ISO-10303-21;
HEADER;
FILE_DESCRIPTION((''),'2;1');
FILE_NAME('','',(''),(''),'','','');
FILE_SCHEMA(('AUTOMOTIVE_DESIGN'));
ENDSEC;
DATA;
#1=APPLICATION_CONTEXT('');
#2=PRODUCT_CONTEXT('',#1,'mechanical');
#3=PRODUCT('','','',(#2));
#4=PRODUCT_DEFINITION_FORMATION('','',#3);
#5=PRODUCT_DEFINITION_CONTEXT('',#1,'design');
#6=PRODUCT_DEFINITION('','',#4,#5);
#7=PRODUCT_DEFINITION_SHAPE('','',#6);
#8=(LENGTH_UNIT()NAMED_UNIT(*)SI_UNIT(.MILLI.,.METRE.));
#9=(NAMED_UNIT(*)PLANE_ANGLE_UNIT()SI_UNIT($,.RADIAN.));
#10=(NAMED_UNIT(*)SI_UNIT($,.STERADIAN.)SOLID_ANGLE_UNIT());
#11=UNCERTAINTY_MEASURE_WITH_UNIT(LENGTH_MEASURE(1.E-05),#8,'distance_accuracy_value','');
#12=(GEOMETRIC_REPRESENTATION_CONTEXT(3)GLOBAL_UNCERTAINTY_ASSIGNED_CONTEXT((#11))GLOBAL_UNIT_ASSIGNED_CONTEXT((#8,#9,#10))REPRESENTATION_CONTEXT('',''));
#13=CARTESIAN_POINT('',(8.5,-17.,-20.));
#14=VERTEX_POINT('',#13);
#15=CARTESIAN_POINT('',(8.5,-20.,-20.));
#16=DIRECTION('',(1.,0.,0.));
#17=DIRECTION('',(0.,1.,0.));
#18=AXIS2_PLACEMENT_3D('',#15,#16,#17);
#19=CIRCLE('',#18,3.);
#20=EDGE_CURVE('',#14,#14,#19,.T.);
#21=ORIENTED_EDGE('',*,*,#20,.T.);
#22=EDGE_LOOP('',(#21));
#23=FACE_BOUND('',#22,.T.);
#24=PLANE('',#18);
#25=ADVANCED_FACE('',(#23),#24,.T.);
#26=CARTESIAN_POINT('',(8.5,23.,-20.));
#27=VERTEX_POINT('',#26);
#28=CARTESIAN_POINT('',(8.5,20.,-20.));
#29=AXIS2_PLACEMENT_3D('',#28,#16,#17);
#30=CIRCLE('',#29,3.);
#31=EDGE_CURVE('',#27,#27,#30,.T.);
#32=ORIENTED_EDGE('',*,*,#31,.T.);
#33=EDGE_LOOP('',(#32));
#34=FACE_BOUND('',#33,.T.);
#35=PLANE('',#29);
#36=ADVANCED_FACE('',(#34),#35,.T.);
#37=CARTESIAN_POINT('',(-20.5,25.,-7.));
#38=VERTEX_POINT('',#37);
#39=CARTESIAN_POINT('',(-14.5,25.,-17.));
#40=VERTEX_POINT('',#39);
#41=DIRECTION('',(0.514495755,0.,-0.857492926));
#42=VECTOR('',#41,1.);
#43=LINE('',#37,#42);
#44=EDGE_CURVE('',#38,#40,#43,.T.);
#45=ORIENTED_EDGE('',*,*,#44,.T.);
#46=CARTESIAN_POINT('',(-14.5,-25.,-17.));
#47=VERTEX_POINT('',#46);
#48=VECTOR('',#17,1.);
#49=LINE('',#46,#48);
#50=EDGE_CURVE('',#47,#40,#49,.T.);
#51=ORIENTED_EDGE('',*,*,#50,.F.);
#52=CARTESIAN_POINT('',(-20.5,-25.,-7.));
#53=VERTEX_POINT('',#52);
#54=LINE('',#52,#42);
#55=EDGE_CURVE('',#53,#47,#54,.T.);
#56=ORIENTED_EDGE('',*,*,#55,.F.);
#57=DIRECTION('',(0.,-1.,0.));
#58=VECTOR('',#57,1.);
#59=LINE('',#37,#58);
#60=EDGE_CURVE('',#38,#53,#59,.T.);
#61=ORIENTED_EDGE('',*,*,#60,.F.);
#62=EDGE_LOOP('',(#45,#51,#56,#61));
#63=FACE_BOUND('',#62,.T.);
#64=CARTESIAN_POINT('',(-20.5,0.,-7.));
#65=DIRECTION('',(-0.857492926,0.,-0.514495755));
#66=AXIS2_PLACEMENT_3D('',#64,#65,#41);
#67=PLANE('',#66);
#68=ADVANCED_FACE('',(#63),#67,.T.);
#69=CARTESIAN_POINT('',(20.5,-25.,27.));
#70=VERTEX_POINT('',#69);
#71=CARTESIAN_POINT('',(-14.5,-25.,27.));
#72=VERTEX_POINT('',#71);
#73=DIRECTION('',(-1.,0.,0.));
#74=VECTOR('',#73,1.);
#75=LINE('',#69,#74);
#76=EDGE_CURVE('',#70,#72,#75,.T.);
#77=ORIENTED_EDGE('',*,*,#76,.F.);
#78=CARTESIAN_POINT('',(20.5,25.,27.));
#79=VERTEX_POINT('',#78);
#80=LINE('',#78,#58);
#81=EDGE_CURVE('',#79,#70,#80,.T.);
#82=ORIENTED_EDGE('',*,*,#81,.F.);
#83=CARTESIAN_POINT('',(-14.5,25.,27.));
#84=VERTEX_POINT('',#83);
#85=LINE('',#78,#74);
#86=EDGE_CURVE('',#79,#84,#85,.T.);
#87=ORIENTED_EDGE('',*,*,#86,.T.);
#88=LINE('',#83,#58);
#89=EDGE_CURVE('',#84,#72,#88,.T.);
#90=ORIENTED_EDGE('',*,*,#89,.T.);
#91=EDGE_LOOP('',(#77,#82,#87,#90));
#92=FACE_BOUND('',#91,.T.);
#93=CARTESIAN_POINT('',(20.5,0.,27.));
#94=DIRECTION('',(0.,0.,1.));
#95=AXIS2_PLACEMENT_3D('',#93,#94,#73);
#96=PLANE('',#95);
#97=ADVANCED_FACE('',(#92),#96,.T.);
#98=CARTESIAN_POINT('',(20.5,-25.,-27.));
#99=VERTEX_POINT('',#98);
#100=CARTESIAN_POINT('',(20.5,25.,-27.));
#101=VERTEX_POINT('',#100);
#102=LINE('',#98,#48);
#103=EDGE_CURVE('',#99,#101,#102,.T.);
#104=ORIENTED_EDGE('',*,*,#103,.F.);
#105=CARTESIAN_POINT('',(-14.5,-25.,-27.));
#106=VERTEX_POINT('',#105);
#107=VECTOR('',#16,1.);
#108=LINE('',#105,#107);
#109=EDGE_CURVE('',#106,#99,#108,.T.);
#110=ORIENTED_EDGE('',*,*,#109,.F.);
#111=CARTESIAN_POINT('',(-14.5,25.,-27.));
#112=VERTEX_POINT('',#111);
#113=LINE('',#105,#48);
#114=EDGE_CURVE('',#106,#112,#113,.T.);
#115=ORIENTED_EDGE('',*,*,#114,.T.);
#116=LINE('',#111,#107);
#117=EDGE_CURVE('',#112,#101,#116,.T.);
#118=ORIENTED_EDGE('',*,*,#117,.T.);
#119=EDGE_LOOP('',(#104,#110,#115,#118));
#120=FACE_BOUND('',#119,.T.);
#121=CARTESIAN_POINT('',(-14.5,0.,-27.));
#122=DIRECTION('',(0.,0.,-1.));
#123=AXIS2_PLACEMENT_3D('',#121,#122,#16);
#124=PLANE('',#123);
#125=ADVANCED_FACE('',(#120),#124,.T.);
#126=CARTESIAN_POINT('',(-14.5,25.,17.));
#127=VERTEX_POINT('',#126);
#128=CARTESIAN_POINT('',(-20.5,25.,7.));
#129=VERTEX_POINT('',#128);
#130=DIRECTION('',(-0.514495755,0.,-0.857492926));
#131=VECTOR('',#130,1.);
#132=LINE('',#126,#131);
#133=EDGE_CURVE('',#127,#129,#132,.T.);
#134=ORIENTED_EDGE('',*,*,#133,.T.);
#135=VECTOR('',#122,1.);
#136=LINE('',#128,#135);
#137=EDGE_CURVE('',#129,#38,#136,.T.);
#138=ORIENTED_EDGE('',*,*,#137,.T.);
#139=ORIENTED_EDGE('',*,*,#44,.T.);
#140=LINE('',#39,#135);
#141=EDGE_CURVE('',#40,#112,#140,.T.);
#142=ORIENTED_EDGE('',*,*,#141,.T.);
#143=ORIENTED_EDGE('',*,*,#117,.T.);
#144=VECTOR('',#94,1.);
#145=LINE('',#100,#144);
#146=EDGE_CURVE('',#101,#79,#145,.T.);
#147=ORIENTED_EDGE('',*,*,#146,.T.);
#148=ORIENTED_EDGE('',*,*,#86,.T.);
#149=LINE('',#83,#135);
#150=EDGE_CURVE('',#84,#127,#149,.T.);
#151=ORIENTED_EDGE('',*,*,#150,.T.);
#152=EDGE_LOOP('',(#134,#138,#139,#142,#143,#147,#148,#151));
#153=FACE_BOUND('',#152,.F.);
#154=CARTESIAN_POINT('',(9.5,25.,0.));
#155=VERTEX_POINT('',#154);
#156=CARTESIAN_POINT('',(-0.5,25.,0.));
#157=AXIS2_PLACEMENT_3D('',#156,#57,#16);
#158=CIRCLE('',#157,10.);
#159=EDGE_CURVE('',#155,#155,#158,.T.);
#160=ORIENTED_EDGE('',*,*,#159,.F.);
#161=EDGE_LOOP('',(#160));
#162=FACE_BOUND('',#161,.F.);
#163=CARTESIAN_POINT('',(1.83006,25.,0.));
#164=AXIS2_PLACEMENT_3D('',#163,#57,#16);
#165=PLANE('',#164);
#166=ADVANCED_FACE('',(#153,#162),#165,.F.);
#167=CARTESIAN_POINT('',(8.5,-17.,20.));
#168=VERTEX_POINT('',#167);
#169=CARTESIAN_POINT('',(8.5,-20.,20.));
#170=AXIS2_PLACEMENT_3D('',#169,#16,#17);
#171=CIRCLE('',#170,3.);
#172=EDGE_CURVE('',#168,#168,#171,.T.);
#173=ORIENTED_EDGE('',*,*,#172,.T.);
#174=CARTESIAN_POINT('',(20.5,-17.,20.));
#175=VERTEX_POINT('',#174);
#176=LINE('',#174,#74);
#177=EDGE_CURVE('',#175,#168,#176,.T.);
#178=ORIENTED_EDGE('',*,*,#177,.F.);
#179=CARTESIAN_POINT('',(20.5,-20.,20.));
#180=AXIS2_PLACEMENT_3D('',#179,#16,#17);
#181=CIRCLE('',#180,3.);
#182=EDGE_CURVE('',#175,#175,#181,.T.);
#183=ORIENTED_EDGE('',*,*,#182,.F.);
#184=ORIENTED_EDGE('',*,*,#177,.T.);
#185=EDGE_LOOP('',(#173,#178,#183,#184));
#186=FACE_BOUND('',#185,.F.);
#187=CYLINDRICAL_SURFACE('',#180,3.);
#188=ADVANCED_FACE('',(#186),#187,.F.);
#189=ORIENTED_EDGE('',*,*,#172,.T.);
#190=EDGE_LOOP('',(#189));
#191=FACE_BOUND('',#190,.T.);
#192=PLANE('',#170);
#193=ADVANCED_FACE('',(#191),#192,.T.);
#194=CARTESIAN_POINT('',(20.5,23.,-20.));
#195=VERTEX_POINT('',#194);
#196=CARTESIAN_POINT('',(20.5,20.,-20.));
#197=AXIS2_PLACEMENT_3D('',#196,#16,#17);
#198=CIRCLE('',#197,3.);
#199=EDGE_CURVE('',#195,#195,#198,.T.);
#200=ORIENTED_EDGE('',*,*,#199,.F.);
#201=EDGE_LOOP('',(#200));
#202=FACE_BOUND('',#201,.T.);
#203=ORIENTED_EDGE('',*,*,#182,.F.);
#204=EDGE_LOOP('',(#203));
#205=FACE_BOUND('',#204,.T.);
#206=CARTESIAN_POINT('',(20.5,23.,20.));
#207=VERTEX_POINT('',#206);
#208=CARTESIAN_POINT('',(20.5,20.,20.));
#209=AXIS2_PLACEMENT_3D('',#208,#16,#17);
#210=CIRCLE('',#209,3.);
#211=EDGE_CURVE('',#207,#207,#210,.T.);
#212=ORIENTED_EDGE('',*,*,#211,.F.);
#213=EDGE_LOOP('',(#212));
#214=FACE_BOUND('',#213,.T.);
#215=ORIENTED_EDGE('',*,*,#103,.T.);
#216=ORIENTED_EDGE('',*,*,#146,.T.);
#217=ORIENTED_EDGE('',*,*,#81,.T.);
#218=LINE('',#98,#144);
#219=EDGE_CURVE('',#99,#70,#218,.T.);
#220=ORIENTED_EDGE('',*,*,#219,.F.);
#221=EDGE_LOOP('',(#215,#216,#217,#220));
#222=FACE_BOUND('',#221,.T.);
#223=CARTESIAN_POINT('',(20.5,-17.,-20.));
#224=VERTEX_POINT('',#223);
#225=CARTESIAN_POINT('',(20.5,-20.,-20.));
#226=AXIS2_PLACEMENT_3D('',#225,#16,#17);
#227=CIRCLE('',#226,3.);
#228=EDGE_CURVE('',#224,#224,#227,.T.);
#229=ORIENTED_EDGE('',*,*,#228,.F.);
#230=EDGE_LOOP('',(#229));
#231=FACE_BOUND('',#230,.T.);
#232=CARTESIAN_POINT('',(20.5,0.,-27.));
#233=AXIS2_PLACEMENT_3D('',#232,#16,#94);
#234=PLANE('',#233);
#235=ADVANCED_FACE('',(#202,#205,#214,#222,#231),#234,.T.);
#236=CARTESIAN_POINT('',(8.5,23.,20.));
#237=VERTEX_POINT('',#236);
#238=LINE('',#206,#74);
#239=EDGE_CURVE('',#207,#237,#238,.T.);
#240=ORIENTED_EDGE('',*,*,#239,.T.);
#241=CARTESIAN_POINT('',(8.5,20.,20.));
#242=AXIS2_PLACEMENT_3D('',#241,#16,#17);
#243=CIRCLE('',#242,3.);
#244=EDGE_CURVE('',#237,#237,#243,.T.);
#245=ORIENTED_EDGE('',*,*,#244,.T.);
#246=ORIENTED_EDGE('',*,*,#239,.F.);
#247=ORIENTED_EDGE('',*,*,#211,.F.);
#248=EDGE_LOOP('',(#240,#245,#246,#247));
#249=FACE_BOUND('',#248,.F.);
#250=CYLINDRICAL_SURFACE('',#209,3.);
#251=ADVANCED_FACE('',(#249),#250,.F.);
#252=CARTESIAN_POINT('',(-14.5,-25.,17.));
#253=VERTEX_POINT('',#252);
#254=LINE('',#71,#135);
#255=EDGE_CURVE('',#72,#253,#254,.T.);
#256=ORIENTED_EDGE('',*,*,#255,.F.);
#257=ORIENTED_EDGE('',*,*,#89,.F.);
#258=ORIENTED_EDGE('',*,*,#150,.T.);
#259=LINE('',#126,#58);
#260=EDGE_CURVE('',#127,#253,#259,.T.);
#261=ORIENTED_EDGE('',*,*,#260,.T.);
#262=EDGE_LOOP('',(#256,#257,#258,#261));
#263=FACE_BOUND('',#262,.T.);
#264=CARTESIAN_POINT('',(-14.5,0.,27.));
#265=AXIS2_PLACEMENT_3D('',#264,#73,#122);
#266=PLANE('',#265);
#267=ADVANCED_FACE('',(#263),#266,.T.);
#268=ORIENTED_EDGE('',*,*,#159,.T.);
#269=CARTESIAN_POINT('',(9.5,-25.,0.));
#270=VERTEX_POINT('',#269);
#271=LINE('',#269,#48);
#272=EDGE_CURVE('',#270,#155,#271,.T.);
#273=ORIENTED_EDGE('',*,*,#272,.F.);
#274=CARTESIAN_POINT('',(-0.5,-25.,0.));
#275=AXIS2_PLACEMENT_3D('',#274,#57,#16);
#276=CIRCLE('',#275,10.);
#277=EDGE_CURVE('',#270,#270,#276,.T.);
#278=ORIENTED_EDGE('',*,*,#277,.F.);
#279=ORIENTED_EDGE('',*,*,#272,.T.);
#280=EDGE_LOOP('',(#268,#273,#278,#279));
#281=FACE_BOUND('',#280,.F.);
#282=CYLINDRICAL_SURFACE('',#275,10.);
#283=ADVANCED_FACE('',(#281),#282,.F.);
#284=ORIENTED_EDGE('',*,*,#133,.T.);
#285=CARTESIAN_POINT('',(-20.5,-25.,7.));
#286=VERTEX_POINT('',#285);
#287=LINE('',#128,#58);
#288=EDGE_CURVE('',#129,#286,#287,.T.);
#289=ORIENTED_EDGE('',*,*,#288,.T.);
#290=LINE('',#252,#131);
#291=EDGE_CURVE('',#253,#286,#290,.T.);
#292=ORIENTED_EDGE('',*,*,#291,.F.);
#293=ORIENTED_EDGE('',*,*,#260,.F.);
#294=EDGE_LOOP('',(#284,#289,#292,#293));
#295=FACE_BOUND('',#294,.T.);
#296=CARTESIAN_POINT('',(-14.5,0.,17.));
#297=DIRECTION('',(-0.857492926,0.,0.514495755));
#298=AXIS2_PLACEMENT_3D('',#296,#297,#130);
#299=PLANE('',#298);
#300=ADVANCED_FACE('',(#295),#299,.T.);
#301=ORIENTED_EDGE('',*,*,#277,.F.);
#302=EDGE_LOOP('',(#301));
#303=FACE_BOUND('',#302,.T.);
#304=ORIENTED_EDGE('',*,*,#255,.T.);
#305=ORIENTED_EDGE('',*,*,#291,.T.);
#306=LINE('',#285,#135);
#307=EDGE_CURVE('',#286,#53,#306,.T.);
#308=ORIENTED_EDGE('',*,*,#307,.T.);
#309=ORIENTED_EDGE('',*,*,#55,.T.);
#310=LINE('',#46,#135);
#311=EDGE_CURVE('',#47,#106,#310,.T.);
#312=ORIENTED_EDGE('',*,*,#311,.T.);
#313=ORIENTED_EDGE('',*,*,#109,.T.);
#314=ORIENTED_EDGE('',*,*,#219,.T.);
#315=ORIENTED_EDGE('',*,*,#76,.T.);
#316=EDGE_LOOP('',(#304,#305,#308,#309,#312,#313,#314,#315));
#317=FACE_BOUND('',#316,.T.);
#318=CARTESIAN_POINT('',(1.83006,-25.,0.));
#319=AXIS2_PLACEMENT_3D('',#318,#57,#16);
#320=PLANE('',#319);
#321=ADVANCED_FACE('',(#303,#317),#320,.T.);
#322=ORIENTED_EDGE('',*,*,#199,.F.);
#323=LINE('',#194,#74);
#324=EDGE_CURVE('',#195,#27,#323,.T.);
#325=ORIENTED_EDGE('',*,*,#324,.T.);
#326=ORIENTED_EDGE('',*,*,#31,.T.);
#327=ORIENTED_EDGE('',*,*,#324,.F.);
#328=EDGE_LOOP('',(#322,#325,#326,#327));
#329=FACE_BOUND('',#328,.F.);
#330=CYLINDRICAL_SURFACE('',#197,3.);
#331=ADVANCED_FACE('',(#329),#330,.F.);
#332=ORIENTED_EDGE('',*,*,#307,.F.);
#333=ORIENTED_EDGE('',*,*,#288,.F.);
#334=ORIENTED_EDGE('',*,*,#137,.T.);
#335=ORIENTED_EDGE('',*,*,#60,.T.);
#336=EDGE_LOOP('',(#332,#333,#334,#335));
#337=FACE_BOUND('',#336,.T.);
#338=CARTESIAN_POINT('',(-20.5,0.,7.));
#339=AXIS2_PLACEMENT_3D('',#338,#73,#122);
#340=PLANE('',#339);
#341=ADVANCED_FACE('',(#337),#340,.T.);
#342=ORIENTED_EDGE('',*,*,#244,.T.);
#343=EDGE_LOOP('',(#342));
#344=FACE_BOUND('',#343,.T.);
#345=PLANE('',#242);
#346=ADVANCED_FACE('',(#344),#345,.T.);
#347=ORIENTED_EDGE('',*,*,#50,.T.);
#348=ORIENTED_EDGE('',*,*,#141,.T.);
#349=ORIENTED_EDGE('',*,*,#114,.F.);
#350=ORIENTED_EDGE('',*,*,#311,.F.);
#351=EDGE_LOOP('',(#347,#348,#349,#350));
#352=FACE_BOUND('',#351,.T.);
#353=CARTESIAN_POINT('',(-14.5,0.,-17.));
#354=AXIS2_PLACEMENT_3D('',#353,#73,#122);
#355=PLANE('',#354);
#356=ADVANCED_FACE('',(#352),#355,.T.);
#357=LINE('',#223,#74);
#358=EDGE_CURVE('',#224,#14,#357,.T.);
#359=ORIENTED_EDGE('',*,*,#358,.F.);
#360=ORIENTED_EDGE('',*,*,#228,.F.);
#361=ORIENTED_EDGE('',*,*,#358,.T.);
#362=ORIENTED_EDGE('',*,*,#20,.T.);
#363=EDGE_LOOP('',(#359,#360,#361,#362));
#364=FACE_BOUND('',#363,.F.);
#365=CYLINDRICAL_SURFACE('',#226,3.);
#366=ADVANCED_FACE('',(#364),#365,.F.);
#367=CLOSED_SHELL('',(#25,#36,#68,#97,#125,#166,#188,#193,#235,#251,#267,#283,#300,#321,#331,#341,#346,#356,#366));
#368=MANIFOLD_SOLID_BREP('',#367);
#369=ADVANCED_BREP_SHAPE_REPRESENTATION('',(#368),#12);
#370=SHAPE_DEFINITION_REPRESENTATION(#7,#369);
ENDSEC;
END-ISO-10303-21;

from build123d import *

# Parameters (mm, degrees)
F1_DEPTH = 25
F2_R     = 10
F3_DEPTH = 50
F4_R     = 3
F5_DEPTH = 12


with BuildPart() as f1:
    # F0 (on Front) → F1 (new body, symmetric)
    with BuildSketch(Plane.XZ):
        Polygon((20.5, -27), (20.5, 27), (-14.5, 27), (-14.5, 17), (-20.5, 7), (-20.5, -7), (-14.5, -17), (-14.5, -27), align=None)
    extrude(amount=F1_DEPTH, both=True)

    # F2 (on face) → F3 (cut)
    with BuildSketch(Plane.XZ.offset(25)):
        with Locations((-0.5, 0)):
            Circle(F2_R)
    extrude(amount=-F3_DEPTH, mode=Mode.SUBTRACT)

    # F4 (on face) → F5 (cut)
    with BuildSketch(Plane.YZ.offset(20.5)):
        with Locations((-20, 20)):
            Circle(F4_R)
        with Locations((20, 20)):
            Circle(F4_R)
        with Locations((20, -20)):
            Circle(F4_R)
        with Locations((-20, -20)):
            Circle(F4_R)
    extrude(amount=-F5_DEPTH, mode=Mode.SUBTRACT)


solid = f1.part
